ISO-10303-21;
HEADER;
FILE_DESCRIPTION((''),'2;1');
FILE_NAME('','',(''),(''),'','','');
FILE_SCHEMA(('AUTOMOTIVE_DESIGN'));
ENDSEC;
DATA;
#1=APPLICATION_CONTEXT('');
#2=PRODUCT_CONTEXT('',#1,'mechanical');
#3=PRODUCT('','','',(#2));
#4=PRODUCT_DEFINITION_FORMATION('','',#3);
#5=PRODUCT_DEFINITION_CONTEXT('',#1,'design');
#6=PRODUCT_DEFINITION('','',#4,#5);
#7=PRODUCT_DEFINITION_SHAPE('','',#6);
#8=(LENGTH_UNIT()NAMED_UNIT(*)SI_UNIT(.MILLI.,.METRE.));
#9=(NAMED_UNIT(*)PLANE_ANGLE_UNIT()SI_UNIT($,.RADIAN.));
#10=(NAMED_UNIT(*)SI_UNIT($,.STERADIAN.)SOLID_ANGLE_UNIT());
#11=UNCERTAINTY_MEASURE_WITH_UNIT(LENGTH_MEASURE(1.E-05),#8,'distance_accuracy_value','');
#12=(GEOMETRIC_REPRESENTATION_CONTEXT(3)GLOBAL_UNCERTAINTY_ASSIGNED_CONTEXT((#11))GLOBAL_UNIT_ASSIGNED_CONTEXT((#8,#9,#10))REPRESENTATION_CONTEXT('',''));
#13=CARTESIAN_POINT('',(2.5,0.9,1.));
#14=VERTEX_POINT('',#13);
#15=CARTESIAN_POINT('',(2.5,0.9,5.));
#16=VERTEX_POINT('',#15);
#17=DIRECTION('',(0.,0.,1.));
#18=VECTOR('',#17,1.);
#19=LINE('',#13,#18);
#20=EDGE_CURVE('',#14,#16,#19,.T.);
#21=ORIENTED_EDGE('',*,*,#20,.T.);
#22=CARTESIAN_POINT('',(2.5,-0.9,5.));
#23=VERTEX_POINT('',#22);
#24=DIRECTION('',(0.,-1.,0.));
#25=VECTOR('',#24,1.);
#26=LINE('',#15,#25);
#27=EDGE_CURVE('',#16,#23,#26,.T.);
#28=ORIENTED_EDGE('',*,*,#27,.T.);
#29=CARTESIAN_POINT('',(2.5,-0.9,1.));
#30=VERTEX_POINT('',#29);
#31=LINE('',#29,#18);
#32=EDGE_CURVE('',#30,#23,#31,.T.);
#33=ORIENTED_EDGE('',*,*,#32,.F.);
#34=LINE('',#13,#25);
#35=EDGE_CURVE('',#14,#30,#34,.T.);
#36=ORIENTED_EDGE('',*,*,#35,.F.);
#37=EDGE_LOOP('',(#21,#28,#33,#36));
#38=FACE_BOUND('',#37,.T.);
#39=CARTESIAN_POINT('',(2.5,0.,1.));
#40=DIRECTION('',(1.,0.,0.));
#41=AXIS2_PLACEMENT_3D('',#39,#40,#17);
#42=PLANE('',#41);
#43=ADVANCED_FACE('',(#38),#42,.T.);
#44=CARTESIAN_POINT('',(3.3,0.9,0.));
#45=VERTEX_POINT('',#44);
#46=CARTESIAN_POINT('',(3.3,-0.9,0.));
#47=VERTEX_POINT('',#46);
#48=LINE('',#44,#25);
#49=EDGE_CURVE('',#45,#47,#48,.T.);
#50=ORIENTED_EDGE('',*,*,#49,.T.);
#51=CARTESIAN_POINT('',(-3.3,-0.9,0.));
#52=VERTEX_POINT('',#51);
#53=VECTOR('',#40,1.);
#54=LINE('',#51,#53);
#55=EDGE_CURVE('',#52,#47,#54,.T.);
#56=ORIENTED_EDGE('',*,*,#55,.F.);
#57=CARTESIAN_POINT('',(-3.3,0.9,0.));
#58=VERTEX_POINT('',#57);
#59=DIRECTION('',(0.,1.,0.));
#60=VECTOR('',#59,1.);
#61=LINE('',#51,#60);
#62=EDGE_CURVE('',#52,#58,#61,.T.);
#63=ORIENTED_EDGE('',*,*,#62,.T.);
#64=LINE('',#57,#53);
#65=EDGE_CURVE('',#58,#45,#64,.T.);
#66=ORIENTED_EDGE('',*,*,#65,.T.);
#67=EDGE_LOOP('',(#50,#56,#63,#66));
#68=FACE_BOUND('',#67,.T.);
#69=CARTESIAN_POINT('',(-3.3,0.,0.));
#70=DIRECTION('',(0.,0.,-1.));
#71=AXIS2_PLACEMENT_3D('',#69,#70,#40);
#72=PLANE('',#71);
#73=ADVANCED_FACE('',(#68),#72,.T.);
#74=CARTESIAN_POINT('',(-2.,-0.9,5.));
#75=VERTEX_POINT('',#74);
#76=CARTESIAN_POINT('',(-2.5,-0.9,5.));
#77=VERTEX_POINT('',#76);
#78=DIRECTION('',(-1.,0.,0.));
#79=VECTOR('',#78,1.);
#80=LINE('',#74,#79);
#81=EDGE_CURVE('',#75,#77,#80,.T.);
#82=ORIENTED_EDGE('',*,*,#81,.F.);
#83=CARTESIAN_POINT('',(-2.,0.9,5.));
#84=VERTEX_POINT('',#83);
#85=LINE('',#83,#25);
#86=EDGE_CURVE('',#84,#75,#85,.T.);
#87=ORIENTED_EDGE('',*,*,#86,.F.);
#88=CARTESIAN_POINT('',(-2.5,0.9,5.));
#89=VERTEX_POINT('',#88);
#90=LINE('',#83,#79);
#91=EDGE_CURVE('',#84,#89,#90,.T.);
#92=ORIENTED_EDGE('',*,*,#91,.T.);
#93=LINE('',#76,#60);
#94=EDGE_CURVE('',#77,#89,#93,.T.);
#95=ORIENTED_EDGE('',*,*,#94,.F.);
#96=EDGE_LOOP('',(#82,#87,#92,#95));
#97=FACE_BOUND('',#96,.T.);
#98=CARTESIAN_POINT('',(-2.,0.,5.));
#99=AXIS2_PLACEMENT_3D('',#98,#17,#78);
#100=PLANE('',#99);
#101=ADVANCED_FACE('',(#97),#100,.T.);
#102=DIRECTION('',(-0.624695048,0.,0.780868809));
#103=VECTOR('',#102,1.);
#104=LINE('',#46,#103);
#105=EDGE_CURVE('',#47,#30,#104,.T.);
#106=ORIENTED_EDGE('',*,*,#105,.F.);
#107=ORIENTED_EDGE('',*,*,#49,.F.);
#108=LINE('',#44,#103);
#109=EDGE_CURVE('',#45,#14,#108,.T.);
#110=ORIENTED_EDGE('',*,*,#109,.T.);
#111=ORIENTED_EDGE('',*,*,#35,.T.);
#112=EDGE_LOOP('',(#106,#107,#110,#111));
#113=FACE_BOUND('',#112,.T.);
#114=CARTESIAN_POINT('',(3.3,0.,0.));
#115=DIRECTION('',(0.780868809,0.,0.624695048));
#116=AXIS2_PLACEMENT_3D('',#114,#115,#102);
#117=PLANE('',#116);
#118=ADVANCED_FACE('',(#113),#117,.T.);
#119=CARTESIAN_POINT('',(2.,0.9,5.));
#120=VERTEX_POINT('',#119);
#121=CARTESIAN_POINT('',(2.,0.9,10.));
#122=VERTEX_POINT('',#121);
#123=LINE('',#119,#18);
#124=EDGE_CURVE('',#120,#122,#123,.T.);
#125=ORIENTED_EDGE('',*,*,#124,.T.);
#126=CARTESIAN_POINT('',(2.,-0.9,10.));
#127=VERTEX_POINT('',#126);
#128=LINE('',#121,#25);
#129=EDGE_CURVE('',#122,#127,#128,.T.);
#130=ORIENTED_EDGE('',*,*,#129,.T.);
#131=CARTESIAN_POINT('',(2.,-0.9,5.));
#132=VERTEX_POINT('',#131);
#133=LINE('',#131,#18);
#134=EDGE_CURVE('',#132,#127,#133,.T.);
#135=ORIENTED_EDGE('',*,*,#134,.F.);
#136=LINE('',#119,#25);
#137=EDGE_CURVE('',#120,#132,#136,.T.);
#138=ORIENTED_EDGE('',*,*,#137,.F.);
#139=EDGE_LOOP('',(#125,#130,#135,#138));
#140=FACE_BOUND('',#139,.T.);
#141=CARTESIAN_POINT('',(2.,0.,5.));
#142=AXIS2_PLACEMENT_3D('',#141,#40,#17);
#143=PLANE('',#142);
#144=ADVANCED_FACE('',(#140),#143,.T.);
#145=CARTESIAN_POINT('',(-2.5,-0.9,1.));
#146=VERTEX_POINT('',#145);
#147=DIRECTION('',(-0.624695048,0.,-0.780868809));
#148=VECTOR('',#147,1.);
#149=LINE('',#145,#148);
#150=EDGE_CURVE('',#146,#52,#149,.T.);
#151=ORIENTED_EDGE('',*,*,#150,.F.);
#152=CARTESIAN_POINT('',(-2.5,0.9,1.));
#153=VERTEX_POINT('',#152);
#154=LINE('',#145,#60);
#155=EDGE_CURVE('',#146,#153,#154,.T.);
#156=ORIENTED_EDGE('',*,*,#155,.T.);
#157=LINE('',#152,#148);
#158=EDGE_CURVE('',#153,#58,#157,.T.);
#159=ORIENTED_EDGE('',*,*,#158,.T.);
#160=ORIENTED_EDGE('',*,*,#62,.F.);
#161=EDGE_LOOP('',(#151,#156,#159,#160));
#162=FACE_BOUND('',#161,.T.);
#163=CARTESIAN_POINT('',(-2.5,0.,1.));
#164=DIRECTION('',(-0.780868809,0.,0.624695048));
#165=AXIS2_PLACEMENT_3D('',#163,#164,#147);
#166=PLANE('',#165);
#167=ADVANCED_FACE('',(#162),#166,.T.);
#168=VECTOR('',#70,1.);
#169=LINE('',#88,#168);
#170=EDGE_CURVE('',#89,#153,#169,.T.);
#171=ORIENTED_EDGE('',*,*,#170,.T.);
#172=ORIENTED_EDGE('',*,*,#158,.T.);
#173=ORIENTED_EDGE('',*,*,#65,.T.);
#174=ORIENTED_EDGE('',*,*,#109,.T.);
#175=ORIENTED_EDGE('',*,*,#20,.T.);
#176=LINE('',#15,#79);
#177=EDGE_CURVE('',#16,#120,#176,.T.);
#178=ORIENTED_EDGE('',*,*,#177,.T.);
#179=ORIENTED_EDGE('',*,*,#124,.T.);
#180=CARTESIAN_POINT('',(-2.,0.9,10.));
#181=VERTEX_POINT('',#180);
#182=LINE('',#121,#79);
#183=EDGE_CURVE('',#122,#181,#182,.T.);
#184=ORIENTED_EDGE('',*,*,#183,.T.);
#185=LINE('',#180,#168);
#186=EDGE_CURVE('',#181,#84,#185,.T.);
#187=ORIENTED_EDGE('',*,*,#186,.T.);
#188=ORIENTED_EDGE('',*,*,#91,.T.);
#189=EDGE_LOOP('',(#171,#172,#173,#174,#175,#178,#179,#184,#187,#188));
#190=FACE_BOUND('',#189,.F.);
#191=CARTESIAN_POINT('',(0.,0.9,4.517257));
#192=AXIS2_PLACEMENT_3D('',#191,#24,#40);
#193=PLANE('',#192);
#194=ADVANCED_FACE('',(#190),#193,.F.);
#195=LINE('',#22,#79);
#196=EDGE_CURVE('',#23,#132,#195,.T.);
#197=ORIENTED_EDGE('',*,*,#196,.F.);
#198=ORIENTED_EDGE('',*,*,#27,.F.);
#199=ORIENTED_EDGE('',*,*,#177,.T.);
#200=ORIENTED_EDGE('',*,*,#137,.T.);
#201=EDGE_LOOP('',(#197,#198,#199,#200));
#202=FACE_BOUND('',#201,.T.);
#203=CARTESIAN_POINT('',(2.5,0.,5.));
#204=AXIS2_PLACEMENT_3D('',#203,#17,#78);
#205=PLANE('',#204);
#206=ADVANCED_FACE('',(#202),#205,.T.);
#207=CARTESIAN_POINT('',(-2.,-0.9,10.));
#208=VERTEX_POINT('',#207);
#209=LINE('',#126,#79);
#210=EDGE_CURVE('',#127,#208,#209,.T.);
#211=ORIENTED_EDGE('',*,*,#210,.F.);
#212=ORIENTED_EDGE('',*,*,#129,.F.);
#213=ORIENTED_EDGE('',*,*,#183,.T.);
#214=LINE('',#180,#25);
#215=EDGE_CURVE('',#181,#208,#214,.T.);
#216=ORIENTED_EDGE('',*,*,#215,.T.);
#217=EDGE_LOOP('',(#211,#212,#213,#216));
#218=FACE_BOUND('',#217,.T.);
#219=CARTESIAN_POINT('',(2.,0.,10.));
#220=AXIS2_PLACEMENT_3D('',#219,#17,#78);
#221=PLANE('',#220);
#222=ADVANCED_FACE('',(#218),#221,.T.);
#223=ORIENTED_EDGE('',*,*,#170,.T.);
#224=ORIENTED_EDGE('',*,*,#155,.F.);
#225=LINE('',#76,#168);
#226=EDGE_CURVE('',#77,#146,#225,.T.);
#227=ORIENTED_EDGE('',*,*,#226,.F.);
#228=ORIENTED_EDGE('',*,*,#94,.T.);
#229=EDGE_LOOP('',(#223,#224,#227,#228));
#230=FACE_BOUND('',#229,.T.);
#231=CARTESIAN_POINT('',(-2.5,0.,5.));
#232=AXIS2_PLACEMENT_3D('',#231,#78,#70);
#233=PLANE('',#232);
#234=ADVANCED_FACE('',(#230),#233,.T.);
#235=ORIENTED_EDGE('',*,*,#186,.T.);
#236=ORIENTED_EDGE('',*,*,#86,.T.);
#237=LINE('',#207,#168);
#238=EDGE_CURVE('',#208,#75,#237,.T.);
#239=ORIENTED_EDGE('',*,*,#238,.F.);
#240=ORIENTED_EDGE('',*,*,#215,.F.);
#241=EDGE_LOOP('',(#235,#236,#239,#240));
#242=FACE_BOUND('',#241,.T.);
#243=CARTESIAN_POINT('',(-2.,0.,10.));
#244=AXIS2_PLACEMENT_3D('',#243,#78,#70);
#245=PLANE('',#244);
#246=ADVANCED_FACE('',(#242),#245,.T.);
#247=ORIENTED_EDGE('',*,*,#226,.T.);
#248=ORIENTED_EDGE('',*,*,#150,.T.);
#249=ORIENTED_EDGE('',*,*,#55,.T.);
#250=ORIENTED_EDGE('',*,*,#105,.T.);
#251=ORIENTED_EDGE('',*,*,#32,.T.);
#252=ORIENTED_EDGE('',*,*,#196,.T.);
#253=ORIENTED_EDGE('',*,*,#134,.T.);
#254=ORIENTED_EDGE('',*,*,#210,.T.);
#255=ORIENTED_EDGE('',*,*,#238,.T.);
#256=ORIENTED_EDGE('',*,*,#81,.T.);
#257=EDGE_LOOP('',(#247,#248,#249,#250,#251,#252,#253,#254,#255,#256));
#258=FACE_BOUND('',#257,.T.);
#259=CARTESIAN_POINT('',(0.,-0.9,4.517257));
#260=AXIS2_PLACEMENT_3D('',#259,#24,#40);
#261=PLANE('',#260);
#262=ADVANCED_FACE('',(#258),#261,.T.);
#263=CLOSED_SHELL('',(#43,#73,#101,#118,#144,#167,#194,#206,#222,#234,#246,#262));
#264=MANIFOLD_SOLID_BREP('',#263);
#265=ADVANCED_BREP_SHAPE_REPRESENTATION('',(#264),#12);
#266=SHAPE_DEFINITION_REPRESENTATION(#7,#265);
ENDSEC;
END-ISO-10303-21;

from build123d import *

# Parameters (mm, degrees)
PAD_DEPTH = 0.9


with BuildPart() as part:
    # Sketch → Pad (new body, symmetric)
    with BuildSketch(Plane.XZ):
        Polygon((-3.3, 0), (3.3, 0), (2.5, 1), (2.5, 5), (2, 5), (2, 10), (-2, 10), (-2, 5), (-2.5, 5), (-2.5, 1), align=None)
    extrude(amount=PAD_DEPTH, both=True)


solid = part.part
